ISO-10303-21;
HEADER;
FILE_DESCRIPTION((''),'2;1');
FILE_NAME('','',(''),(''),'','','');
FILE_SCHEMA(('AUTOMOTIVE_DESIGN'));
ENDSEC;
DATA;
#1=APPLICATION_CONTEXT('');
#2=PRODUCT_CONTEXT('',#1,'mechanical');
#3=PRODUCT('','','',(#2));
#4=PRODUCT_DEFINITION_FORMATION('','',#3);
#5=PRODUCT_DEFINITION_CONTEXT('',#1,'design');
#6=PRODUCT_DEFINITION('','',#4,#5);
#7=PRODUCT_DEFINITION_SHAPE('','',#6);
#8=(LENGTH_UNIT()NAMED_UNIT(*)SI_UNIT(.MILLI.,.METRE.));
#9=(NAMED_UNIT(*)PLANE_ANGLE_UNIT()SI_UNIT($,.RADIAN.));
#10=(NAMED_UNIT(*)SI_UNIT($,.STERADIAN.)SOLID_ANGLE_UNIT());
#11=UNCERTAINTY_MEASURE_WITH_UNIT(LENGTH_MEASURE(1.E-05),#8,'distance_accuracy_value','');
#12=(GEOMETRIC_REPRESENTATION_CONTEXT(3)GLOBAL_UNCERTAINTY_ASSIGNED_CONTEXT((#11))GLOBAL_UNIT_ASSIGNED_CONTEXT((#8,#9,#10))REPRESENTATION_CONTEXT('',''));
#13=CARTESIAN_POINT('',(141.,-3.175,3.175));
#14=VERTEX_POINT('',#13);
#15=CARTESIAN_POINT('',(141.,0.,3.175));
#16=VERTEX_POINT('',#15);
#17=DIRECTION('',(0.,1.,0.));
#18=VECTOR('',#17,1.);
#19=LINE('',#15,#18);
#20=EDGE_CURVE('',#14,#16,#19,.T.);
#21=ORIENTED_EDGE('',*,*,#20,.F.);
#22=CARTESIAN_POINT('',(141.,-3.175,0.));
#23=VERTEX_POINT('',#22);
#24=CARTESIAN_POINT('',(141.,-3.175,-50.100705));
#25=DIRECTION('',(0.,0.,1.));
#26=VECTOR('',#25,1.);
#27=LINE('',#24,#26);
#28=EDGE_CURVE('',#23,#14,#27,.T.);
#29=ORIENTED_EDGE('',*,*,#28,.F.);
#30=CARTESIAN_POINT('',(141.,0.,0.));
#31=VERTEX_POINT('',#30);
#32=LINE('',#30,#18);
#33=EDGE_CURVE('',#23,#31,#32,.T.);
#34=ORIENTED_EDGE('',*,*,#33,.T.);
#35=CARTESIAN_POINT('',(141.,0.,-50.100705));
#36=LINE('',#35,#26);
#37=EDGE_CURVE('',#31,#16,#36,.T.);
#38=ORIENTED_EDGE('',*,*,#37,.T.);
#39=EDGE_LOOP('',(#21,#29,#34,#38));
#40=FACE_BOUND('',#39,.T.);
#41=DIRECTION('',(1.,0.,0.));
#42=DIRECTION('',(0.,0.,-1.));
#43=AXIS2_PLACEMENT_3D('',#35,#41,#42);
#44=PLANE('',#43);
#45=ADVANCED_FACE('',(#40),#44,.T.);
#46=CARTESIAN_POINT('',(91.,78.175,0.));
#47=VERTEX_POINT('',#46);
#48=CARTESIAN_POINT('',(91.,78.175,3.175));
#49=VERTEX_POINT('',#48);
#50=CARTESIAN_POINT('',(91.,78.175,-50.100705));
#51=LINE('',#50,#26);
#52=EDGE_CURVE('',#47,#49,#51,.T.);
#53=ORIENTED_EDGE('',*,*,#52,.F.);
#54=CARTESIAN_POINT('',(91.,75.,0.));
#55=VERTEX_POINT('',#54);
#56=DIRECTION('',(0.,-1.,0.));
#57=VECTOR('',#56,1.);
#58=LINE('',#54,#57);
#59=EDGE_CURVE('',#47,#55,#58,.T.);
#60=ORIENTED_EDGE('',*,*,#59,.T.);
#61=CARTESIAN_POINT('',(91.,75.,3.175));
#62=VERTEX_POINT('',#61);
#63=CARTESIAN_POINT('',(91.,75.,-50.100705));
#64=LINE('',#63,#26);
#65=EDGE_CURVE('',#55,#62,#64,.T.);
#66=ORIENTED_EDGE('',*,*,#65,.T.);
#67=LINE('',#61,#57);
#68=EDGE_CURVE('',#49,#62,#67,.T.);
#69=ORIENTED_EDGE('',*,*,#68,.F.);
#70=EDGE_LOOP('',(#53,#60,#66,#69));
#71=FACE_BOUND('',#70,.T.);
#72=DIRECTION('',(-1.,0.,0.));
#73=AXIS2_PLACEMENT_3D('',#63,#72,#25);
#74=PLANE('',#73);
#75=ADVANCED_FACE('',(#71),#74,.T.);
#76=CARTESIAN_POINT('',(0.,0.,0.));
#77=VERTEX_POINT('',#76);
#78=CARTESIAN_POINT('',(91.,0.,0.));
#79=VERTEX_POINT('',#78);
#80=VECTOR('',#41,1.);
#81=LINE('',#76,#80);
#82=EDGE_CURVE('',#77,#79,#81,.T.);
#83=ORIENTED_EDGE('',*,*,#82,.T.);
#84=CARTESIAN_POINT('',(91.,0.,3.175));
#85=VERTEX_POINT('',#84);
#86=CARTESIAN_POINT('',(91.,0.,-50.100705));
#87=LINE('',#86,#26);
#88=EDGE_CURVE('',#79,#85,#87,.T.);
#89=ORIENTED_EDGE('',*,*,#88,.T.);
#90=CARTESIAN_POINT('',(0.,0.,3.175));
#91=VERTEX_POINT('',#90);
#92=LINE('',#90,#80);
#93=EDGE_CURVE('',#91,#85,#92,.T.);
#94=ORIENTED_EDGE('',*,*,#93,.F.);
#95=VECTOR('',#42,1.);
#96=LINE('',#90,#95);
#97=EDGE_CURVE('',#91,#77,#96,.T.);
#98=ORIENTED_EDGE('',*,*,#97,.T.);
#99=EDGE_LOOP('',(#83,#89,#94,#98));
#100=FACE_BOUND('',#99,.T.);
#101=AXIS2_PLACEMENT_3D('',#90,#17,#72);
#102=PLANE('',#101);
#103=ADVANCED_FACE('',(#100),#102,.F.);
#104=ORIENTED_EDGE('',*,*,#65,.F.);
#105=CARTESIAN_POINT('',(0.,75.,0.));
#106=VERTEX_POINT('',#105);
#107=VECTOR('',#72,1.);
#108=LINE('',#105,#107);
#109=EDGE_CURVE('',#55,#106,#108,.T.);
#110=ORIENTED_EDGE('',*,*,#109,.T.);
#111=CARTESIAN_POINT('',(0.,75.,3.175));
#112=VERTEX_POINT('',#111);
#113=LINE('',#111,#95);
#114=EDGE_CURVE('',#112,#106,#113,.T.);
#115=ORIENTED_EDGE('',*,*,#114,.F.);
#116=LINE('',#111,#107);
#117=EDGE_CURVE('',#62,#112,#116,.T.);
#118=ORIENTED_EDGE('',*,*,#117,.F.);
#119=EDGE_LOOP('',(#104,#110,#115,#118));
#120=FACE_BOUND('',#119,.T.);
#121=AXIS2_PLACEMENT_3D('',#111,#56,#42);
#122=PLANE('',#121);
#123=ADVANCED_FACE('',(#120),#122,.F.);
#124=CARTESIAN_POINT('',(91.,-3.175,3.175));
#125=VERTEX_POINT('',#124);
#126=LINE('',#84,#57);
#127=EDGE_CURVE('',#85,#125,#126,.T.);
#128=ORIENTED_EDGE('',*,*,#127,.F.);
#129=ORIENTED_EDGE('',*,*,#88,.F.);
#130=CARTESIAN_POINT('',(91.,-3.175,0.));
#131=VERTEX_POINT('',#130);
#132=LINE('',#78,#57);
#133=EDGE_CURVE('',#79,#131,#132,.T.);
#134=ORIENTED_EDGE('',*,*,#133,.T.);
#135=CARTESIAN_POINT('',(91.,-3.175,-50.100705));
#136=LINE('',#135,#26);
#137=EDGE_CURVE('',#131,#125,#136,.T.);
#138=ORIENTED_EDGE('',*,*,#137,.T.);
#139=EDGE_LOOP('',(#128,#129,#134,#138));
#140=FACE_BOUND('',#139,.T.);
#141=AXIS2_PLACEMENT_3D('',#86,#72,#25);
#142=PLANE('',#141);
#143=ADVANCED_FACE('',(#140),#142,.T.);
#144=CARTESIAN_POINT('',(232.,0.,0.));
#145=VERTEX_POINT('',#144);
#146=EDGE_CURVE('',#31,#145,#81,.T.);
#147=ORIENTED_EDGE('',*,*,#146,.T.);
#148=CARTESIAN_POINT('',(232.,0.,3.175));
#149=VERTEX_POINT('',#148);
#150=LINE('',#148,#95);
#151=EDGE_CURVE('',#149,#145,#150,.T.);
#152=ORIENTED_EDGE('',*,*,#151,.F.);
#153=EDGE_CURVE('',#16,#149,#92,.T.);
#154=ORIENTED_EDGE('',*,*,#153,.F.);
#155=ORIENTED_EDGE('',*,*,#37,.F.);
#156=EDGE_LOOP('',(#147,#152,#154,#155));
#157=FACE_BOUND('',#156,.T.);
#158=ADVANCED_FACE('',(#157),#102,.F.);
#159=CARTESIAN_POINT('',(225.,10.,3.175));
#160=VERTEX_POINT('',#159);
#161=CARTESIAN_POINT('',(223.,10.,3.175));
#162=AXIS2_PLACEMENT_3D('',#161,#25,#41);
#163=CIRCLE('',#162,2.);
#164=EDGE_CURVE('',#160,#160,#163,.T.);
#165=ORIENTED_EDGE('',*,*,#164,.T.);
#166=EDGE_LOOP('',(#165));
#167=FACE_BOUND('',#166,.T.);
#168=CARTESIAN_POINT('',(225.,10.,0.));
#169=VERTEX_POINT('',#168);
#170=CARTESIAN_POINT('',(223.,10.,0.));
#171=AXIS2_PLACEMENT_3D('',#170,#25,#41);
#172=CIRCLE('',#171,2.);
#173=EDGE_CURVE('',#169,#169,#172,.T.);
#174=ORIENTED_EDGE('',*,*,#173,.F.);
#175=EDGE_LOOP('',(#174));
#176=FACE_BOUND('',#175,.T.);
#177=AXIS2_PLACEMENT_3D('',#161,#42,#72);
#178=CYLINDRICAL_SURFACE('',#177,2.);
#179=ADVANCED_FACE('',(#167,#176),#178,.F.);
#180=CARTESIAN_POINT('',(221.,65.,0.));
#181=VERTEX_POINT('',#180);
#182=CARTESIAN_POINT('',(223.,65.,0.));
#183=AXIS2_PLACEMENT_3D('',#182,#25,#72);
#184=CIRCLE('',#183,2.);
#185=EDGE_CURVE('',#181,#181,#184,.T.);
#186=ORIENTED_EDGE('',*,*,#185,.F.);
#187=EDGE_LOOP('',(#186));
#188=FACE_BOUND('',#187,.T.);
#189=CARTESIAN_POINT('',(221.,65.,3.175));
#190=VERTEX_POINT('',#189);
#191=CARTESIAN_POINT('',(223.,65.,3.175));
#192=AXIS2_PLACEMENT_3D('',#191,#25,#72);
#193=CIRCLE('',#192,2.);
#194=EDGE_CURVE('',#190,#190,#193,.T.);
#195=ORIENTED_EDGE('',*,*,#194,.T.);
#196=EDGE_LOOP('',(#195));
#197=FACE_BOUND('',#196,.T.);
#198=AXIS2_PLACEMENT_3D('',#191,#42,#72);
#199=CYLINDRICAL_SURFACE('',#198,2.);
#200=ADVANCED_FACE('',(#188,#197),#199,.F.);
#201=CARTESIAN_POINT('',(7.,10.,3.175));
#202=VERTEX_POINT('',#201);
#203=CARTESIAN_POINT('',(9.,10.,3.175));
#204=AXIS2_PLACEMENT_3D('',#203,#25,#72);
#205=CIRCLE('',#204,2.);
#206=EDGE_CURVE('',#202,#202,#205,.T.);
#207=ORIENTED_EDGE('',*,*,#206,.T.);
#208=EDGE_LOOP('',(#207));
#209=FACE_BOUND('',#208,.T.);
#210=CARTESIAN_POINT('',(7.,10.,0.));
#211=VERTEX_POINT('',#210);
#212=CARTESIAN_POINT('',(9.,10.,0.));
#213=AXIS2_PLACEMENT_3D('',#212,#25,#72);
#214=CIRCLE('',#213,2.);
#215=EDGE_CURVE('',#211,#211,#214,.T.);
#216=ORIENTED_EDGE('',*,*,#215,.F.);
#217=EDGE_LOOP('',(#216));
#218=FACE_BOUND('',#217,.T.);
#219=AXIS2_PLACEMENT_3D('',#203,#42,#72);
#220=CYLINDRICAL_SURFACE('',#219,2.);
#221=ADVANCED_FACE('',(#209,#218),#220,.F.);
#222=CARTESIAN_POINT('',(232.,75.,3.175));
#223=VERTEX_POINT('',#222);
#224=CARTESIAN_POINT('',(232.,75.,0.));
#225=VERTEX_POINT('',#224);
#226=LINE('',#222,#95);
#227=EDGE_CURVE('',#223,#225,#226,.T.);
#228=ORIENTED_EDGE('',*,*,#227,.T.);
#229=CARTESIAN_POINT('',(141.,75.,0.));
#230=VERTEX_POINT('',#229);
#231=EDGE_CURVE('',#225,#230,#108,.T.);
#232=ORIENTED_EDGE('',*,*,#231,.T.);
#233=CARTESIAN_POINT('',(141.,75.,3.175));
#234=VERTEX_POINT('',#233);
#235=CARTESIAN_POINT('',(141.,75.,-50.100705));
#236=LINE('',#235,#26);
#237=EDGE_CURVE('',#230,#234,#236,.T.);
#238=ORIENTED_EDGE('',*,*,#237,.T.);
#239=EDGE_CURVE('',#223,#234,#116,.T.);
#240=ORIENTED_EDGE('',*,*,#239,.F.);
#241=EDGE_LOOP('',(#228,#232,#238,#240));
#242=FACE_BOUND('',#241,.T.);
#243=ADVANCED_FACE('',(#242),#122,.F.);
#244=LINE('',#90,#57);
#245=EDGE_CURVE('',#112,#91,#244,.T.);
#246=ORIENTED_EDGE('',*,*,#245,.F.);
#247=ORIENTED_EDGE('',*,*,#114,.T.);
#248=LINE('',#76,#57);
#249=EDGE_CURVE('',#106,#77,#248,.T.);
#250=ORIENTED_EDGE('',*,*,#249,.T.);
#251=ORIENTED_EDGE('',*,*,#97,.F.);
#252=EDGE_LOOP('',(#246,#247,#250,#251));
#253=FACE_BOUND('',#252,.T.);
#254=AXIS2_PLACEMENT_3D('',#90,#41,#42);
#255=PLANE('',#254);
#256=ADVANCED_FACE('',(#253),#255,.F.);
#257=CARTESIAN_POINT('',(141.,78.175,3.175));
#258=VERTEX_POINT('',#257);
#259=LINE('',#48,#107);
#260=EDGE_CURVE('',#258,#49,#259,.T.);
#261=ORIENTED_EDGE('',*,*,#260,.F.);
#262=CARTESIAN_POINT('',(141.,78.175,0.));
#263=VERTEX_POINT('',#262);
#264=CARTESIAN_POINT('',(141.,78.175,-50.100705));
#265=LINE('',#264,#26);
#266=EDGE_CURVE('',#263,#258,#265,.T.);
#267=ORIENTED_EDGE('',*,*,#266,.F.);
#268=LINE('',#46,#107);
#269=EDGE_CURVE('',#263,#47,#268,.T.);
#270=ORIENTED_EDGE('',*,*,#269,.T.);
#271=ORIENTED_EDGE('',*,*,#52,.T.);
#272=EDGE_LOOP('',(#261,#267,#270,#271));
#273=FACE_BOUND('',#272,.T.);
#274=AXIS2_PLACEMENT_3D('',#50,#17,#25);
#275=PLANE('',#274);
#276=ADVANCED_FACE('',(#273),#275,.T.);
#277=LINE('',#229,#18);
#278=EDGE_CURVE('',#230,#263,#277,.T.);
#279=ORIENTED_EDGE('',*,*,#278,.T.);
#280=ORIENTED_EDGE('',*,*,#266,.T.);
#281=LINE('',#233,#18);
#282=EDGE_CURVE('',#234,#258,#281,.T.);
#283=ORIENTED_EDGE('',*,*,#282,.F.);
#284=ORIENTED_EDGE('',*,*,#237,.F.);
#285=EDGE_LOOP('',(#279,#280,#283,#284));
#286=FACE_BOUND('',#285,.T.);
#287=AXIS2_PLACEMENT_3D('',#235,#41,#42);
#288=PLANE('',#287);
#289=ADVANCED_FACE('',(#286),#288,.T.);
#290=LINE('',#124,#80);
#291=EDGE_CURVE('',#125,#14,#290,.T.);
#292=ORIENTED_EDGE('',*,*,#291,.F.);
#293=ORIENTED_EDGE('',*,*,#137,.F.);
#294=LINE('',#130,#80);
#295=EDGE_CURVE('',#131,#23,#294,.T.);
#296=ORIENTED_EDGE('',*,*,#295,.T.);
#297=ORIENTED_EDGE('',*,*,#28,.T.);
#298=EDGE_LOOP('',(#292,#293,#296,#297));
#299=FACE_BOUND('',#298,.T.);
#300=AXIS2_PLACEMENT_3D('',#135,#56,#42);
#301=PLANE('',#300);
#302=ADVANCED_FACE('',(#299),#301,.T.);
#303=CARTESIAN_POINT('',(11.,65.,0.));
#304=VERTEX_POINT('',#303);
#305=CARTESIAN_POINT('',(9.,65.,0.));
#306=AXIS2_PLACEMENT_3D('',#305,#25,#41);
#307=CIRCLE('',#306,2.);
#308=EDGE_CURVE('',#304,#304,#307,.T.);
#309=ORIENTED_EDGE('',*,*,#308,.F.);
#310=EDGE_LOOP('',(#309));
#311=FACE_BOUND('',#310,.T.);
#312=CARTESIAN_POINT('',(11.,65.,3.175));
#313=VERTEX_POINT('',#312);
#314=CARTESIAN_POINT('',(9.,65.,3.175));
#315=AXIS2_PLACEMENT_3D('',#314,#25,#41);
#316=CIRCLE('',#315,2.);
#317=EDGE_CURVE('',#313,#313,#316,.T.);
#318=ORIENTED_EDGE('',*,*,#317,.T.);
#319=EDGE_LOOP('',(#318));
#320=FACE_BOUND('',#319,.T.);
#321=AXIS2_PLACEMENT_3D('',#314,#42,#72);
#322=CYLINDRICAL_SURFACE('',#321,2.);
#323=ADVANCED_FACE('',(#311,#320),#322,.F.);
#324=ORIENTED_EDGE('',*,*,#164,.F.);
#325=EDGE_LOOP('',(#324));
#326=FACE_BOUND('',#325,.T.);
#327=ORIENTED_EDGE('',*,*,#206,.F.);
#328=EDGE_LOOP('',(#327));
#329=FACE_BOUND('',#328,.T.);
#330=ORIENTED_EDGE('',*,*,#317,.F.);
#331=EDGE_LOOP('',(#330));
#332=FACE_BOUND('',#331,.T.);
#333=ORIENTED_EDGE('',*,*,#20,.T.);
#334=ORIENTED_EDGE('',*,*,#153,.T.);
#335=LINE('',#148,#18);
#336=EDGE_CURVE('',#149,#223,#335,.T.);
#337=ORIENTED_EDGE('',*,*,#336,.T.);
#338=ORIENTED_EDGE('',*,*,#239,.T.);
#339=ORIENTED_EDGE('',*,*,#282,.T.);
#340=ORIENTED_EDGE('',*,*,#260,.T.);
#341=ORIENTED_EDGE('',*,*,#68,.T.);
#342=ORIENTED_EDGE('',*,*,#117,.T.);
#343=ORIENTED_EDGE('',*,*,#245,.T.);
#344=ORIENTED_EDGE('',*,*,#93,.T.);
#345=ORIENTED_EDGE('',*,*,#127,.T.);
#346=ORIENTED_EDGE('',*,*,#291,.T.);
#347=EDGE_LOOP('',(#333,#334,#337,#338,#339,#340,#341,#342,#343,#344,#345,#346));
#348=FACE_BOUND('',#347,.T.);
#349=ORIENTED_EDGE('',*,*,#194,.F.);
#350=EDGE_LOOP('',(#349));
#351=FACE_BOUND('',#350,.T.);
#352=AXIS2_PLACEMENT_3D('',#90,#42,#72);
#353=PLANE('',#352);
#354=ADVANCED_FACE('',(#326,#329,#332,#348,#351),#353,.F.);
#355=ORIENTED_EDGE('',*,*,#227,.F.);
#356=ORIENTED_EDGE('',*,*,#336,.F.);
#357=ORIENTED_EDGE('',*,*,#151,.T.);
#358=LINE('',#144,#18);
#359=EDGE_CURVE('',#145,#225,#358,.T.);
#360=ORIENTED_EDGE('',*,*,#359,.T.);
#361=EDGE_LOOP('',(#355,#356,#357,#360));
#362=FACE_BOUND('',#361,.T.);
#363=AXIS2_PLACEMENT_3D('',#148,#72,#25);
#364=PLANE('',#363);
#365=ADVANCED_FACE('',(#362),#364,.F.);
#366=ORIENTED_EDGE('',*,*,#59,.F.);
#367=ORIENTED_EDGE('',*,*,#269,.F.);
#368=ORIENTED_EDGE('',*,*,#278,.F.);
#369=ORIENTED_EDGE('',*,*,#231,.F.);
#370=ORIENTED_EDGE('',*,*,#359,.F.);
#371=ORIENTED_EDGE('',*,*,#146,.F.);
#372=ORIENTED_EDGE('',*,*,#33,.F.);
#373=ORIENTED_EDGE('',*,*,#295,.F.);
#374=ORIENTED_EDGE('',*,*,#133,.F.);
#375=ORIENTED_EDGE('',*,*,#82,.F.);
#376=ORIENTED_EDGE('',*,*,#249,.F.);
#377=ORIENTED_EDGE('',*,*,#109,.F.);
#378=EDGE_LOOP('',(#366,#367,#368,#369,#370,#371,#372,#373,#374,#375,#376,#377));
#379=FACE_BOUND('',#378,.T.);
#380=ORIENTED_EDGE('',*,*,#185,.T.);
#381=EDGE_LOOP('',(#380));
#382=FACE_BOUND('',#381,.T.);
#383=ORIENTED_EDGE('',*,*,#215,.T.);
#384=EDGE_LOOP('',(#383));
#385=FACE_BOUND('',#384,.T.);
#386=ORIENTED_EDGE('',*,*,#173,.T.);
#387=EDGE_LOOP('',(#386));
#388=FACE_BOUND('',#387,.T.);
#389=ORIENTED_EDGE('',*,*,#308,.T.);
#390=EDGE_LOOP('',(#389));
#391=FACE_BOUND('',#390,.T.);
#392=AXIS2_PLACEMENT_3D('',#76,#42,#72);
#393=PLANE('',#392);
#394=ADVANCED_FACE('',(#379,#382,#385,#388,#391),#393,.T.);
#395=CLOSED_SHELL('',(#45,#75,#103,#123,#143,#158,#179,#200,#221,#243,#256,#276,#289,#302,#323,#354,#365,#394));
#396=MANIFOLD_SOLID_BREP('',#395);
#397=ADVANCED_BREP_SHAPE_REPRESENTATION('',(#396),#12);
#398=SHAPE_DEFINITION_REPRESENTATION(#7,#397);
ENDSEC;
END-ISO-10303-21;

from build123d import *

# Parameters (mm, degrees)
SKETCH1_W           = 232
SKETCH1_H           = 75
SKETCH1_R           = 2
BOSS_EXTRUDE1_DEPTH = 3.175
SKETCH2_W           = 50
SKETCH2_H           = 3.175
BOSS_EXTRUDE2_DEPTH = 3.175


with BuildPart() as part:
    # Sketch1 → Boss-Extrude1 (new body)
    with BuildSketch(Plane.XY):
        with Locations((116, 37.5)):
            Rectangle(SKETCH1_W, SKETCH1_H)
        with Locations((9, 65)):
            Circle(SKETCH1_R, mode=Mode.SUBTRACT)
        with Locations(Location((9, 10, 0), (0, 0, 180))):
            Circle(SKETCH1_R, mode=Mode.SUBTRACT)
        with Locations((223, 10)):
            Circle(SKETCH1_R, mode=Mode.SUBTRACT)
        with Locations(Location((223, 65, 0), (0, 0, 180))):
            Circle(SKETCH1_R, mode=Mode.SUBTRACT)
    extrude(amount=BOSS_EXTRUDE1_DEPTH)

    # Sketch2 → Boss-Extrude2 (add)
    with BuildSketch(Plane.XY.offset(3.175)):
        with Locations((116, -1.5875)):
            Rectangle(SKETCH2_W, SKETCH2_H)
        with Locations((116, 76.5875)):
            Rectangle(SKETCH2_W, SKETCH2_H)
    extrude(amount=-BOSS_EXTRUDE2_DEPTH)


solid = part.part
